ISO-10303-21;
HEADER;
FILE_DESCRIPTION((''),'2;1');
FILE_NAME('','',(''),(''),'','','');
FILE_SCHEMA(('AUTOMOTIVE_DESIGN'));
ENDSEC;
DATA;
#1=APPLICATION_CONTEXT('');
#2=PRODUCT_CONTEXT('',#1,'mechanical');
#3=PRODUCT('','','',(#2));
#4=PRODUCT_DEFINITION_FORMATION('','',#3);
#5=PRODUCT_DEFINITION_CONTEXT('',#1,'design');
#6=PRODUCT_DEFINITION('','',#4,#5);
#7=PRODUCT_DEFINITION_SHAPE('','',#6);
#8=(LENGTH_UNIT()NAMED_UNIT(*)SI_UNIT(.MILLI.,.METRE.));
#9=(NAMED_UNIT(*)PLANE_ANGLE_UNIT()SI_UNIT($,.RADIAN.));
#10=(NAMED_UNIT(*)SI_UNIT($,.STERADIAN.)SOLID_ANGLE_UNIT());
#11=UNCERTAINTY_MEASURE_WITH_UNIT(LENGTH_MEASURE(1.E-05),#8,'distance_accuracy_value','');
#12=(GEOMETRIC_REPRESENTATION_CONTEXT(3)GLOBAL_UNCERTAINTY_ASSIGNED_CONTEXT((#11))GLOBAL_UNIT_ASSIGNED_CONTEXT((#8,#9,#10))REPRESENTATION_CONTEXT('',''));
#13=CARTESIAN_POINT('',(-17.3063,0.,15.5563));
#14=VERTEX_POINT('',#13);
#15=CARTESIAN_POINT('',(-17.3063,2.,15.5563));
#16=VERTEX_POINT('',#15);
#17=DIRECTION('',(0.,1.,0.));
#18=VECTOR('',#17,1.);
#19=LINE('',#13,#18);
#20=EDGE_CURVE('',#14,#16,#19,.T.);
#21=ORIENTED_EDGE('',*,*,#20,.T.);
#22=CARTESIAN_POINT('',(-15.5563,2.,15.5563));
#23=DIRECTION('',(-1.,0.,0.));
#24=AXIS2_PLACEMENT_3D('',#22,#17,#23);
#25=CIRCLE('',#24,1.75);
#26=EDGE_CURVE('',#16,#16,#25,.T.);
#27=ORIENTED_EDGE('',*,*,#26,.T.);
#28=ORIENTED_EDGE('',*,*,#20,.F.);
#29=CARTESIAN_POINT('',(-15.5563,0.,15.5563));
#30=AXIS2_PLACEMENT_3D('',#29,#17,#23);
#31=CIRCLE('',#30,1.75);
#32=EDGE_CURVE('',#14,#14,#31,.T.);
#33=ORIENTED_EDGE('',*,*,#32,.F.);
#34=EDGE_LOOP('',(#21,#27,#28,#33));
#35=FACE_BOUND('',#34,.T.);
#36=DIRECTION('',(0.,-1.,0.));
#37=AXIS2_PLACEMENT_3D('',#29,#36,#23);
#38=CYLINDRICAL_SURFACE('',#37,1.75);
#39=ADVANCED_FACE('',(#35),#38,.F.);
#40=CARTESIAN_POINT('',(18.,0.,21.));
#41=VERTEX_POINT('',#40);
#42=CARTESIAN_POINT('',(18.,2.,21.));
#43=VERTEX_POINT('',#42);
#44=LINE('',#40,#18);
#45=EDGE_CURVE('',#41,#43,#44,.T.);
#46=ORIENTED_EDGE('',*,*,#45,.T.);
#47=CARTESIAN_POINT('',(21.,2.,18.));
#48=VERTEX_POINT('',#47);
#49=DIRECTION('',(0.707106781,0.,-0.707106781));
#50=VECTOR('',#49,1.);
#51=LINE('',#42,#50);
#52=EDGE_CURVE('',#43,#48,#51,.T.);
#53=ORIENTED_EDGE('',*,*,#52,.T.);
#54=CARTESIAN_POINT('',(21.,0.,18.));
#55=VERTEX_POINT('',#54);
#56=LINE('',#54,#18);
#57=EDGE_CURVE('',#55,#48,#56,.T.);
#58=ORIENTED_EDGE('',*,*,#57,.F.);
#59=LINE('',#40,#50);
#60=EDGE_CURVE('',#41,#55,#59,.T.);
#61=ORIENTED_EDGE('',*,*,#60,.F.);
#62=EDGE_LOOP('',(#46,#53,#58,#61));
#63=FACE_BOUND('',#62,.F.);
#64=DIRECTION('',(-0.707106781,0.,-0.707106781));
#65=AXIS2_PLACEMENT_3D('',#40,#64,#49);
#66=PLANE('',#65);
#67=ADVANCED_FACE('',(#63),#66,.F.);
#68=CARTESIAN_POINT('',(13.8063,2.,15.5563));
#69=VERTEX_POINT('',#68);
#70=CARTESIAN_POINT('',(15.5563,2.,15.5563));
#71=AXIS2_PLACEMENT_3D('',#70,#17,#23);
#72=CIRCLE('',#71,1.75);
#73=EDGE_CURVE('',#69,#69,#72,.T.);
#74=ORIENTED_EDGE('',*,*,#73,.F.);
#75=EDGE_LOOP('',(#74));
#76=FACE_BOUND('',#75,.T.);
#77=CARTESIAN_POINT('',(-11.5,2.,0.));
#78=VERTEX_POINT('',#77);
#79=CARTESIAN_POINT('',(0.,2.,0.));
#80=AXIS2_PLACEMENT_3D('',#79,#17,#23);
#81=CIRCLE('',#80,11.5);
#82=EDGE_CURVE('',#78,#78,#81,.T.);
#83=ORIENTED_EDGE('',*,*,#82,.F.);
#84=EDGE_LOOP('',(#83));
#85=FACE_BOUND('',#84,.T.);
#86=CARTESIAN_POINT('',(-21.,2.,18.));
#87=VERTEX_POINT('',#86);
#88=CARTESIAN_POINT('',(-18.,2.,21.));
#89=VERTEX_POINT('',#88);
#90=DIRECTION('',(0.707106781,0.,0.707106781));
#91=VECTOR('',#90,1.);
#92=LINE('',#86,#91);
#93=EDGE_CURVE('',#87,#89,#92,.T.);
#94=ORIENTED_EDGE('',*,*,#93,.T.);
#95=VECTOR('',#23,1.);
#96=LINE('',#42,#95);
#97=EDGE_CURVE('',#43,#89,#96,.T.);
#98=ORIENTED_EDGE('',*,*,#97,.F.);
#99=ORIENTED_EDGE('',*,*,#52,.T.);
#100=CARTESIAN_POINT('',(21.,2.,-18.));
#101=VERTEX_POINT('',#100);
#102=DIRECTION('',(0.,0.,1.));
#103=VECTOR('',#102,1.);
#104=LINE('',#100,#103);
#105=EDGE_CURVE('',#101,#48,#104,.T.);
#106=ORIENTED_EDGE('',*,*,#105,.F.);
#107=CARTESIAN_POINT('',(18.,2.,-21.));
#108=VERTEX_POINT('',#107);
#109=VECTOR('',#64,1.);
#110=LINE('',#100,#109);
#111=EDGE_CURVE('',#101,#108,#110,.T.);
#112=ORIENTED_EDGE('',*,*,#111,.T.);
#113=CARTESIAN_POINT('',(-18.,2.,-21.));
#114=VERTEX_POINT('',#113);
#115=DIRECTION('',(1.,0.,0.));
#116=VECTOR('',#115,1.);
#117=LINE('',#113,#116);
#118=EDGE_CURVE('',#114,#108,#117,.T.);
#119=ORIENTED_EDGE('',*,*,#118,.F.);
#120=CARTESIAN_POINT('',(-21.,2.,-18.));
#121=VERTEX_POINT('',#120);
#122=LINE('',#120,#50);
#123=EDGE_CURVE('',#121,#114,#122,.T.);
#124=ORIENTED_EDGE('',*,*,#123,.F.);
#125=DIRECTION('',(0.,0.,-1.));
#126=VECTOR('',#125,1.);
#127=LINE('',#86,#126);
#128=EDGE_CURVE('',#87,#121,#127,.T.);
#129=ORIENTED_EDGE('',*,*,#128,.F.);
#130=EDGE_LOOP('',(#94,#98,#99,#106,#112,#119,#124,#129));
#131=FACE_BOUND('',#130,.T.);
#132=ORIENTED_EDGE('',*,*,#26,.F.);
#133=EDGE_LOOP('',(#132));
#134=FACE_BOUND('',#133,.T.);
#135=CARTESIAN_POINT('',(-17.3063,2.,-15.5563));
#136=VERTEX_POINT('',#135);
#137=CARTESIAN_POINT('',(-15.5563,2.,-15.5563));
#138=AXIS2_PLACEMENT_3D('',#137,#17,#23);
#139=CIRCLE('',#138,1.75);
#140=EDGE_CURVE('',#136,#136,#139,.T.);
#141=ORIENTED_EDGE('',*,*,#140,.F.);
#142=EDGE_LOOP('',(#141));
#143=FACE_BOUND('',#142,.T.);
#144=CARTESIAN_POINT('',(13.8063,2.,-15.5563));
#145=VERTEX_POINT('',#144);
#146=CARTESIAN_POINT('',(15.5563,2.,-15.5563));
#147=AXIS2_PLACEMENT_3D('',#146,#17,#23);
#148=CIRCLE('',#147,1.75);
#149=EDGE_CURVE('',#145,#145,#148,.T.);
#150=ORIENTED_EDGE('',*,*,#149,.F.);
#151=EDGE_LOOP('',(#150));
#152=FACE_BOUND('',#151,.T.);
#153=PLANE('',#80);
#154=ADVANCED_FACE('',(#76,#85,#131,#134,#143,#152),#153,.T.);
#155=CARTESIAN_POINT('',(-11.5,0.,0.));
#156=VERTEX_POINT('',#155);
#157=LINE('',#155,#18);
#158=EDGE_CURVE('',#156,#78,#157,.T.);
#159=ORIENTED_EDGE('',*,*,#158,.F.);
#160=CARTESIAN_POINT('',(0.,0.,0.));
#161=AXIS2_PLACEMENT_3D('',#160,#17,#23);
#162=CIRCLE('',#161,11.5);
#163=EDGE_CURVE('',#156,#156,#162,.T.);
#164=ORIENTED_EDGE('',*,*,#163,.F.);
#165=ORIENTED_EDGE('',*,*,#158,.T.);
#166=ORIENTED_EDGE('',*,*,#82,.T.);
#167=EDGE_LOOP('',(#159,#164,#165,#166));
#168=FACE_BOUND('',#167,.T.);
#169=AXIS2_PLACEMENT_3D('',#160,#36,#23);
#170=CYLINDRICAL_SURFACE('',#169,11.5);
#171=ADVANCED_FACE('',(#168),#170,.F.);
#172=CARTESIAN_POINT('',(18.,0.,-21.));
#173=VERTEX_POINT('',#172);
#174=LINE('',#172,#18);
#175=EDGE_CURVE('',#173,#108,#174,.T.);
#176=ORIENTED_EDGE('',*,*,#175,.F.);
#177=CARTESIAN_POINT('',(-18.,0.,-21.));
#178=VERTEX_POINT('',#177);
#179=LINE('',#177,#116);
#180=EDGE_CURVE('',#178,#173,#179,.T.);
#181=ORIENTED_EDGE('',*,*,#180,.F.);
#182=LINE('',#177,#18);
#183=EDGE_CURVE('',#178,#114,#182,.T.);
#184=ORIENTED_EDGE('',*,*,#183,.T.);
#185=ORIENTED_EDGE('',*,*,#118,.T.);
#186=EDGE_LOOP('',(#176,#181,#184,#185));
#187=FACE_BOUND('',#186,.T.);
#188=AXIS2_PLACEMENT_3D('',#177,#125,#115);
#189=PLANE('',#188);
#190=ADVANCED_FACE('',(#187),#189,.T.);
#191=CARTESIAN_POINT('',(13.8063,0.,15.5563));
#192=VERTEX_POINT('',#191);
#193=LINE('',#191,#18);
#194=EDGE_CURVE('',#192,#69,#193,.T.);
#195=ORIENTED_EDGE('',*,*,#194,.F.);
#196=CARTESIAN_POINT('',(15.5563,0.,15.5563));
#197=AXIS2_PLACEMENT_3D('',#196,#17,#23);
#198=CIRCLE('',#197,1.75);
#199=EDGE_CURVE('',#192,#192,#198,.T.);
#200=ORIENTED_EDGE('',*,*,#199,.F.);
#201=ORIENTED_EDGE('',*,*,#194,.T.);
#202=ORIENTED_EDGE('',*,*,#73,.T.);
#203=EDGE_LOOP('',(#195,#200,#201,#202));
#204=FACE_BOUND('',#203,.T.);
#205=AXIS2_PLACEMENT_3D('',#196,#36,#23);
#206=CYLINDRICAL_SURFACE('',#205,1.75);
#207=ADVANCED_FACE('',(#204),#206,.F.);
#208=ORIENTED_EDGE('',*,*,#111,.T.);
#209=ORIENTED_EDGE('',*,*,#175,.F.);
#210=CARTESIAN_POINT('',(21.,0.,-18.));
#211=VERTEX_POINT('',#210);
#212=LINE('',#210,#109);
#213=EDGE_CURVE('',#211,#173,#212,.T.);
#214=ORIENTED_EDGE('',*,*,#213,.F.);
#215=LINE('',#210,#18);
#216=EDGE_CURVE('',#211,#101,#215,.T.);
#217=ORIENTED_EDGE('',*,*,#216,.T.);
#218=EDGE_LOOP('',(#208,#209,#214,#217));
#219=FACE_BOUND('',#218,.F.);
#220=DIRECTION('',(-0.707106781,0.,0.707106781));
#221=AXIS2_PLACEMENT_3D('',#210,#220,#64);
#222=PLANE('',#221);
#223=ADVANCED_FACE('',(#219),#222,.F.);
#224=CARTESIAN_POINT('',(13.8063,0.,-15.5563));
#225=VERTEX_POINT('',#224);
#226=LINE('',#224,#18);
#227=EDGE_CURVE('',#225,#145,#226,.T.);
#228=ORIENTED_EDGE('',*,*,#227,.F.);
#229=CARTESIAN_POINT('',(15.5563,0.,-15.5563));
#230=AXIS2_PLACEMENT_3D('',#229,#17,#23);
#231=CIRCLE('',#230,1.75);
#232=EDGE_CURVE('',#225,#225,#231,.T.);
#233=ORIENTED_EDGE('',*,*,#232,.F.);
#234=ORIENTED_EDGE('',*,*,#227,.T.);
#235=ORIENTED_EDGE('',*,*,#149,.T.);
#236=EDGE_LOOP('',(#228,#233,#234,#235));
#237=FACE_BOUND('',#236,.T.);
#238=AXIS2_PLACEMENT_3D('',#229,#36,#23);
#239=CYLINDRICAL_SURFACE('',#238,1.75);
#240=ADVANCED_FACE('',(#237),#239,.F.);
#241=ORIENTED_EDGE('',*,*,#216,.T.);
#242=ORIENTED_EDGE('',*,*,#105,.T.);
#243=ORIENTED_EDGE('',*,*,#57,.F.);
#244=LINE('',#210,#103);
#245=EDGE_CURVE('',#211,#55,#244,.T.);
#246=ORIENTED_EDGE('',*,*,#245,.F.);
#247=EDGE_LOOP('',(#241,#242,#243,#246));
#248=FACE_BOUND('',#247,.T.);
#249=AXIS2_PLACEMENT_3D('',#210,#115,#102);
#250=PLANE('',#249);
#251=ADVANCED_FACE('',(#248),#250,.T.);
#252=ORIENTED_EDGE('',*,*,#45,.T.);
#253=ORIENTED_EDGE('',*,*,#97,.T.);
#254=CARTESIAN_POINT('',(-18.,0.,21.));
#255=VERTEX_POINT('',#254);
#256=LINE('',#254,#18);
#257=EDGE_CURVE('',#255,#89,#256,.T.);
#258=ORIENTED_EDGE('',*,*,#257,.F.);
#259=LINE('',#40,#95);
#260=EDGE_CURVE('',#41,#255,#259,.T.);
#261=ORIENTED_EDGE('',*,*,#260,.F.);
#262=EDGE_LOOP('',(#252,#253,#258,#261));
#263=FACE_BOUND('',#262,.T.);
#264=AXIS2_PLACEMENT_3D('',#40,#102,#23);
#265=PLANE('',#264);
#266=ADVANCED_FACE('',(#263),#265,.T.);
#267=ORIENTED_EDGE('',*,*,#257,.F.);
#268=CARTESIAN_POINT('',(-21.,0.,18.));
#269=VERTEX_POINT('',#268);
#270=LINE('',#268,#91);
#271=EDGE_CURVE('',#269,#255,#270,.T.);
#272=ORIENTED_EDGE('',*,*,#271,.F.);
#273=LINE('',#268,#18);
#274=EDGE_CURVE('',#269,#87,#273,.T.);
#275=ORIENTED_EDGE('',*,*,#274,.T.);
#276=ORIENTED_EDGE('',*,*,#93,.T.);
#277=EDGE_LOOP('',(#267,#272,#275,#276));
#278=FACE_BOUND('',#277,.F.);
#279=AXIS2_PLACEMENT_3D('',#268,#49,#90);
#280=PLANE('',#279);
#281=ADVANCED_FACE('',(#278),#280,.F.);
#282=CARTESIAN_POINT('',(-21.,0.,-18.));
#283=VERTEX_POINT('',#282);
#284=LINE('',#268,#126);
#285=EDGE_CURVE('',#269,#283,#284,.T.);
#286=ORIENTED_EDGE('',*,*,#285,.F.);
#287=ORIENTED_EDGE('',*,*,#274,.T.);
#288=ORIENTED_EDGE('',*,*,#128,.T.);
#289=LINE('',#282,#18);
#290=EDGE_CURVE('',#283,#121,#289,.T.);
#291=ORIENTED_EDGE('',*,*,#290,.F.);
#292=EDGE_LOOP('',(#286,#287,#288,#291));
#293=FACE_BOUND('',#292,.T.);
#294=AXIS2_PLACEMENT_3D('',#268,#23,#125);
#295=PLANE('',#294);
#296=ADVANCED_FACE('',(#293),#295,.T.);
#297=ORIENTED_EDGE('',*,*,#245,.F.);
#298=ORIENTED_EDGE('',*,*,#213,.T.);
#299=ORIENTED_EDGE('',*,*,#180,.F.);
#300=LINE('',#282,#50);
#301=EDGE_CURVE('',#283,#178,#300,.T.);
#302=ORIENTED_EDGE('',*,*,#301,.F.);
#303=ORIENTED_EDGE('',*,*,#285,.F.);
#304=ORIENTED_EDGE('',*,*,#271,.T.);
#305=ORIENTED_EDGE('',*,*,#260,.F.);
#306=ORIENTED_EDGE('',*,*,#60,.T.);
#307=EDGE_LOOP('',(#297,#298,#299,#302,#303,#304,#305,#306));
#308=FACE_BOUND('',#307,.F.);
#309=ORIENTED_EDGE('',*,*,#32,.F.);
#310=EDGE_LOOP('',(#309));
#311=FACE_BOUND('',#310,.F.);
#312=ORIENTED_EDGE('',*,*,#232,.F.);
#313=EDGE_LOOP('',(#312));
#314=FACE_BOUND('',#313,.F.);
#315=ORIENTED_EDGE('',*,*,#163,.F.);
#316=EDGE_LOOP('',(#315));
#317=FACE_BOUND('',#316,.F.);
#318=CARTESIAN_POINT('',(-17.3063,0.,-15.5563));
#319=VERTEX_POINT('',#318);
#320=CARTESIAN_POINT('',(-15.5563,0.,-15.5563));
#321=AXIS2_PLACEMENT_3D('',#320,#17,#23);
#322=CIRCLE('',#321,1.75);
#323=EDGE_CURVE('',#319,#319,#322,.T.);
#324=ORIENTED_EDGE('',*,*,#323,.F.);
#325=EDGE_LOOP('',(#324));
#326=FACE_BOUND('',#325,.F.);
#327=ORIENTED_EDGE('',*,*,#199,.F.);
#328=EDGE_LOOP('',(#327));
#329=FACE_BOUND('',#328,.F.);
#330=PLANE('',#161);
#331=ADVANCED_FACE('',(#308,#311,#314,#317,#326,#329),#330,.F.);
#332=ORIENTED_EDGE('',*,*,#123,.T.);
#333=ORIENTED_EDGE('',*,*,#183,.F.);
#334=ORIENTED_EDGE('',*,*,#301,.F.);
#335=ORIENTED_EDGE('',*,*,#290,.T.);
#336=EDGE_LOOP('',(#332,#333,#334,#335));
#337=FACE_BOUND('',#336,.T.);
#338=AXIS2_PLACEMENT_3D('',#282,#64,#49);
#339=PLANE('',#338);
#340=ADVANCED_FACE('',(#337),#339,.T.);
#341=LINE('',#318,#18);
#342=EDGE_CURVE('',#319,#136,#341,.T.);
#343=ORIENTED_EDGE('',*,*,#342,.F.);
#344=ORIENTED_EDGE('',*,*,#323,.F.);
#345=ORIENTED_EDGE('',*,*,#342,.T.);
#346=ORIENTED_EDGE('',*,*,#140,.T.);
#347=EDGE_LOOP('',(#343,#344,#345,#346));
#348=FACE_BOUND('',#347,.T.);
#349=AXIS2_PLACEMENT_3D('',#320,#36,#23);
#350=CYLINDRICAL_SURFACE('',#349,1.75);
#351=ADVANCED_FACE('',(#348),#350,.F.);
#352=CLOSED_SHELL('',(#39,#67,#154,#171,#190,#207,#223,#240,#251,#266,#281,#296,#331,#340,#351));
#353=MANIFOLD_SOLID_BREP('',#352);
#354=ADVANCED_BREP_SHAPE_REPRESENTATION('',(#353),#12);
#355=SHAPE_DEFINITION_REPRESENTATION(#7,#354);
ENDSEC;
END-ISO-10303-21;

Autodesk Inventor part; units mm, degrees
ref_plane "YZ Plane" through (0, 0, 0) normal (1, 0, 0) x (0, 1, 0)
ref_plane "XZ Plane" through (0, 0, 0) normal (0, 1, 0) x (-1, 0, 0)
ref_plane "XY Plane" through (0, 0, 0) normal (0, 0, 1) x (1, 0, 0)
sketch "Sketch1" plane through (0, 0, 0) normal (0, 1, 0) x (-1, 0, 0)
  line L0 (18, -21) -> (-18, -21)
  line L1 (-21, -18) -> (-21, 18)
  line L2 (-18, 21) -> (18, 21)
  line L3 (21, 18) -> (21, -18)
  line L4 (21, -21) -> (-21, 21) construction
  line L5 (-21, -21) -> (21, 21) construction
  line L6 (21, 18) -> (18, 21)
  line L7 (-21, -18) -> (-18, -21)
  line L8 (-18, 21) -> (-21, 18)
  line L9 (21, -18) -> (18, -21)
  line L10 (19.5, 19.5) -> (15.0999, 15.0999) construction
  circle A0 centre (15.5563, 15.5563) radius 1.75
  circle A1 centre (-15.5563, 15.5563) radius 1.75
  circle A2 centre (-15.5563, -15.5563) radius 1.75
  circle A3 centre (15.5563, -15.5563) radius 1.75
  circle A4 centre (0, 0) radius 11.5
  line L11 (-15.5563, 15.5563) -> (15.5563, -15.5563) construction
  dimension "d0" = 42
  dimension "d1" = 42
  dimension "d2" = 3
  dimension "d3" = 3
  dimension "d4" = 3
  dimension "d5" = 3
  dimension "d6" = 3
  dimension "d7" = 3
  dimension "d8" = 3
  dimension "d9" = 3
  dimension "d11" = 3.5
  dimension "d14" = 360
  dimension "d16" = 23
  dimension "d20" = 22
extrude "Extrusion1" add sketch "Sketch1" along normal blind 2
equation "\"d3\" = d2"
equation "\"d5\" = d4"
equation "\"d7\" = d6"
equation "\"d9\" = d8"
properties part number "washer"
